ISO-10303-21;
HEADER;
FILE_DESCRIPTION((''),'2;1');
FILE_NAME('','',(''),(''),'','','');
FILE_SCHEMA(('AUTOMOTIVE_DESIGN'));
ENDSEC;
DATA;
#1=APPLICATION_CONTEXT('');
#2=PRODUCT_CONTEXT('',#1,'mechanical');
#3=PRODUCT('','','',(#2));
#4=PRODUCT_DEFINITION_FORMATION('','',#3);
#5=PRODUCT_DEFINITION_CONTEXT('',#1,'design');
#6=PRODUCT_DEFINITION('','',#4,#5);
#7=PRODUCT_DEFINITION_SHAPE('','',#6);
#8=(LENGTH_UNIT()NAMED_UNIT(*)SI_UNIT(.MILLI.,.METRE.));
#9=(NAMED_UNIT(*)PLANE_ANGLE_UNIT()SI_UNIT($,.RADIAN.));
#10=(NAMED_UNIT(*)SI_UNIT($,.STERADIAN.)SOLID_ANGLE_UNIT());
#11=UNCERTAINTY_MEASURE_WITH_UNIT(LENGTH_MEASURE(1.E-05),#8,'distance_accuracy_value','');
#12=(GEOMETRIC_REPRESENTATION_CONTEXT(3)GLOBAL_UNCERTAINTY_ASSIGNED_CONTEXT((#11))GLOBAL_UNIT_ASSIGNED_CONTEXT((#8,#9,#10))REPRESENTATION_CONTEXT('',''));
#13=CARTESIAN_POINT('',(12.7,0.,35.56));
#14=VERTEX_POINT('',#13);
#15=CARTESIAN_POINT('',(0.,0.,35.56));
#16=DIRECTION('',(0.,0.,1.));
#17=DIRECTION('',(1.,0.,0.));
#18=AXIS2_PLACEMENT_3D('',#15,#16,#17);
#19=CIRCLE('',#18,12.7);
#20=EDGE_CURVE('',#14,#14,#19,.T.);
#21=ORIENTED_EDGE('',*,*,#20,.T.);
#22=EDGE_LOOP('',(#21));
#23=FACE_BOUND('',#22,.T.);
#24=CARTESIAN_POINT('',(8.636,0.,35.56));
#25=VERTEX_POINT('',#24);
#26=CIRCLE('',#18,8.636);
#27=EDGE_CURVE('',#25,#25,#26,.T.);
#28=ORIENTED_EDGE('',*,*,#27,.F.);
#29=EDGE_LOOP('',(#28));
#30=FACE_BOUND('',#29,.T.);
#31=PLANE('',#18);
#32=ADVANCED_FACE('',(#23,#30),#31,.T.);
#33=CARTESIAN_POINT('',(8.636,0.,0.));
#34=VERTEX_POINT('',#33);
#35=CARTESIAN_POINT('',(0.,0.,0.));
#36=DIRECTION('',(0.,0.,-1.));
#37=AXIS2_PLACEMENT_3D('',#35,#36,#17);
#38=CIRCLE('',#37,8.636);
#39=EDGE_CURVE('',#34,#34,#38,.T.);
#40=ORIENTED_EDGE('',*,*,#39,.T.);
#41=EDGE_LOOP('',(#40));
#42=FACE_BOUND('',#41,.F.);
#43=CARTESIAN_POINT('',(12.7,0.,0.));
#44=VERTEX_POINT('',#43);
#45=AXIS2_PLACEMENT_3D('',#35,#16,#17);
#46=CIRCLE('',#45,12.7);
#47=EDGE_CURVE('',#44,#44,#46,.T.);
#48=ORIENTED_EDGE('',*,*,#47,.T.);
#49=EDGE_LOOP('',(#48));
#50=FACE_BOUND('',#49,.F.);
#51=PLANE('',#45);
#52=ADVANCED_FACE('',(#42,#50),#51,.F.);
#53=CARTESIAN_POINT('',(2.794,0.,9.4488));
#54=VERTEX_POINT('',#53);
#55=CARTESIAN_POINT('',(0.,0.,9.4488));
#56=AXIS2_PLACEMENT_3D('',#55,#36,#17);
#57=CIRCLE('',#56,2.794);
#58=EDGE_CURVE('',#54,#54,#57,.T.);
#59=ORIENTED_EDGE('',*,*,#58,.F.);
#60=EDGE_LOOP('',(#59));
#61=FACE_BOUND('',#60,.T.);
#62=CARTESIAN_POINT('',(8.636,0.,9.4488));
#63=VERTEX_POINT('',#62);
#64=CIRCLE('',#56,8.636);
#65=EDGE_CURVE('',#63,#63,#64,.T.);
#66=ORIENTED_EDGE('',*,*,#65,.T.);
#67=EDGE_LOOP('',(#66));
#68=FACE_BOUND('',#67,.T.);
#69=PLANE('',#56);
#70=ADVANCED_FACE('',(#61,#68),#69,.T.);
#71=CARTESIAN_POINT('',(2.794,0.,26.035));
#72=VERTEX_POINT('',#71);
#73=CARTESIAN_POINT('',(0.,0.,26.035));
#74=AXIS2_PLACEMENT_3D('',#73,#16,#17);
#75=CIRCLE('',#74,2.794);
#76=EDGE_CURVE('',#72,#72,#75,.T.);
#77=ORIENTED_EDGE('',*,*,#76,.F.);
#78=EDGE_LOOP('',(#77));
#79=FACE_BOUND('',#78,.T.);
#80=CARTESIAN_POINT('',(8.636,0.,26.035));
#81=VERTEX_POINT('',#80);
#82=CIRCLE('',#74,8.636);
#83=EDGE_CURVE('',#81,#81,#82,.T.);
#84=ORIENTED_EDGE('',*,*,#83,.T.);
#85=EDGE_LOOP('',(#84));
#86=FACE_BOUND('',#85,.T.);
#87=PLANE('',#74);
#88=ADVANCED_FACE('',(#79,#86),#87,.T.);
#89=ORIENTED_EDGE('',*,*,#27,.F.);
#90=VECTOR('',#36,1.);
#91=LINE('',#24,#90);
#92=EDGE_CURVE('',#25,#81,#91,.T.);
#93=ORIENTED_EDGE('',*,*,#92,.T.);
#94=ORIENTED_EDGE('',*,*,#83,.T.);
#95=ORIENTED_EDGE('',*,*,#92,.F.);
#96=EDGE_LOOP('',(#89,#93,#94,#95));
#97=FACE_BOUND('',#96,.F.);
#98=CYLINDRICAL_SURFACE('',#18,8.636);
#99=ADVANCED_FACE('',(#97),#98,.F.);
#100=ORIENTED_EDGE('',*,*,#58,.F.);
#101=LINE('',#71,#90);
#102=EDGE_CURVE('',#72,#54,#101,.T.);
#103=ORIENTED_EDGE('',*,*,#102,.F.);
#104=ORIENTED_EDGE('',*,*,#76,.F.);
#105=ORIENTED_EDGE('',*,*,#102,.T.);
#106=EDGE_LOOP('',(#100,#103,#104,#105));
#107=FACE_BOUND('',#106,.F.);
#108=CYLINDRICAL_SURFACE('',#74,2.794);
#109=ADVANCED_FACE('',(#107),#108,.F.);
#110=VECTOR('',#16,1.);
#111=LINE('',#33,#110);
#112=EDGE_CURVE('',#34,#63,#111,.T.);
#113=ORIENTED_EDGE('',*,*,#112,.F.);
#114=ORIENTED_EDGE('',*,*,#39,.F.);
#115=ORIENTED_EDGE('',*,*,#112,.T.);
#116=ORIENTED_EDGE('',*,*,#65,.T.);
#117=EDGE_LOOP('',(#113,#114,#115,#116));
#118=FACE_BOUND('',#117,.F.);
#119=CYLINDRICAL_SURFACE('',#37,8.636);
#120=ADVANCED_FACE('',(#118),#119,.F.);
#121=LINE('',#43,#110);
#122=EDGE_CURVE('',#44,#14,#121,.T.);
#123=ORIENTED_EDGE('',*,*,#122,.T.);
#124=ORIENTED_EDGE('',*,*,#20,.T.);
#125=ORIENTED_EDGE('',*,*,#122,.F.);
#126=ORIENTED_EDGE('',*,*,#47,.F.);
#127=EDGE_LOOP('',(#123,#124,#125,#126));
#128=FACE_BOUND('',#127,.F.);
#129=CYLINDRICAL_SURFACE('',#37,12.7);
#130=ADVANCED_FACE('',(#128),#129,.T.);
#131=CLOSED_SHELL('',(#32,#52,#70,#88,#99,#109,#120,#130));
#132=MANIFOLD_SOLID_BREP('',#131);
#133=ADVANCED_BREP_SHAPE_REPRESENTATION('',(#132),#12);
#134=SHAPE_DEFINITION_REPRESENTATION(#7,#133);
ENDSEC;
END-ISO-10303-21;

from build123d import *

# Parameters (mm, degrees)
F0_R     = 12.7
F1_DEPTH = 35.56
F2_R     = 8.636
F3_DEPTH = 9.525
F4_R     = 2.794
F5_DEPTH = 254
F6_R     = 8.636
F6_R_2   = 2.794
F8_DEPTH = 9.4488


with BuildPart() as f1:
    # F0 (on Top) → F1 (new body)
    with BuildSketch(Plane.XY):
        Circle(F0_R)
    extrude(amount=F1_DEPTH)

    # F2 (on face) → F3 (cut)
    with BuildSketch(Plane.XY.offset(35.56)):
        Circle(F2_R)
    extrude(amount=-F3_DEPTH, mode=Mode.SUBTRACT)

    # F4 (on face) → F5 (cut)
    with BuildSketch(Plane.XY.offset(26.035)):
        Circle(F4_R)
    extrude(amount=-F5_DEPTH, mode=Mode.SUBTRACT)

    # F6 (on face) → F8 (cut)
    with BuildSketch(Plane(origin=(0, 0, 0), x_dir=(1, 0, 0), z_dir=(0, 0, -1))):
        Circle(F6_R)
        Circle(F6_R_2, mode=Mode.SUBTRACT)
    extrude(amount=-F8_DEPTH, mode=Mode.SUBTRACT)


solid = f1.part
